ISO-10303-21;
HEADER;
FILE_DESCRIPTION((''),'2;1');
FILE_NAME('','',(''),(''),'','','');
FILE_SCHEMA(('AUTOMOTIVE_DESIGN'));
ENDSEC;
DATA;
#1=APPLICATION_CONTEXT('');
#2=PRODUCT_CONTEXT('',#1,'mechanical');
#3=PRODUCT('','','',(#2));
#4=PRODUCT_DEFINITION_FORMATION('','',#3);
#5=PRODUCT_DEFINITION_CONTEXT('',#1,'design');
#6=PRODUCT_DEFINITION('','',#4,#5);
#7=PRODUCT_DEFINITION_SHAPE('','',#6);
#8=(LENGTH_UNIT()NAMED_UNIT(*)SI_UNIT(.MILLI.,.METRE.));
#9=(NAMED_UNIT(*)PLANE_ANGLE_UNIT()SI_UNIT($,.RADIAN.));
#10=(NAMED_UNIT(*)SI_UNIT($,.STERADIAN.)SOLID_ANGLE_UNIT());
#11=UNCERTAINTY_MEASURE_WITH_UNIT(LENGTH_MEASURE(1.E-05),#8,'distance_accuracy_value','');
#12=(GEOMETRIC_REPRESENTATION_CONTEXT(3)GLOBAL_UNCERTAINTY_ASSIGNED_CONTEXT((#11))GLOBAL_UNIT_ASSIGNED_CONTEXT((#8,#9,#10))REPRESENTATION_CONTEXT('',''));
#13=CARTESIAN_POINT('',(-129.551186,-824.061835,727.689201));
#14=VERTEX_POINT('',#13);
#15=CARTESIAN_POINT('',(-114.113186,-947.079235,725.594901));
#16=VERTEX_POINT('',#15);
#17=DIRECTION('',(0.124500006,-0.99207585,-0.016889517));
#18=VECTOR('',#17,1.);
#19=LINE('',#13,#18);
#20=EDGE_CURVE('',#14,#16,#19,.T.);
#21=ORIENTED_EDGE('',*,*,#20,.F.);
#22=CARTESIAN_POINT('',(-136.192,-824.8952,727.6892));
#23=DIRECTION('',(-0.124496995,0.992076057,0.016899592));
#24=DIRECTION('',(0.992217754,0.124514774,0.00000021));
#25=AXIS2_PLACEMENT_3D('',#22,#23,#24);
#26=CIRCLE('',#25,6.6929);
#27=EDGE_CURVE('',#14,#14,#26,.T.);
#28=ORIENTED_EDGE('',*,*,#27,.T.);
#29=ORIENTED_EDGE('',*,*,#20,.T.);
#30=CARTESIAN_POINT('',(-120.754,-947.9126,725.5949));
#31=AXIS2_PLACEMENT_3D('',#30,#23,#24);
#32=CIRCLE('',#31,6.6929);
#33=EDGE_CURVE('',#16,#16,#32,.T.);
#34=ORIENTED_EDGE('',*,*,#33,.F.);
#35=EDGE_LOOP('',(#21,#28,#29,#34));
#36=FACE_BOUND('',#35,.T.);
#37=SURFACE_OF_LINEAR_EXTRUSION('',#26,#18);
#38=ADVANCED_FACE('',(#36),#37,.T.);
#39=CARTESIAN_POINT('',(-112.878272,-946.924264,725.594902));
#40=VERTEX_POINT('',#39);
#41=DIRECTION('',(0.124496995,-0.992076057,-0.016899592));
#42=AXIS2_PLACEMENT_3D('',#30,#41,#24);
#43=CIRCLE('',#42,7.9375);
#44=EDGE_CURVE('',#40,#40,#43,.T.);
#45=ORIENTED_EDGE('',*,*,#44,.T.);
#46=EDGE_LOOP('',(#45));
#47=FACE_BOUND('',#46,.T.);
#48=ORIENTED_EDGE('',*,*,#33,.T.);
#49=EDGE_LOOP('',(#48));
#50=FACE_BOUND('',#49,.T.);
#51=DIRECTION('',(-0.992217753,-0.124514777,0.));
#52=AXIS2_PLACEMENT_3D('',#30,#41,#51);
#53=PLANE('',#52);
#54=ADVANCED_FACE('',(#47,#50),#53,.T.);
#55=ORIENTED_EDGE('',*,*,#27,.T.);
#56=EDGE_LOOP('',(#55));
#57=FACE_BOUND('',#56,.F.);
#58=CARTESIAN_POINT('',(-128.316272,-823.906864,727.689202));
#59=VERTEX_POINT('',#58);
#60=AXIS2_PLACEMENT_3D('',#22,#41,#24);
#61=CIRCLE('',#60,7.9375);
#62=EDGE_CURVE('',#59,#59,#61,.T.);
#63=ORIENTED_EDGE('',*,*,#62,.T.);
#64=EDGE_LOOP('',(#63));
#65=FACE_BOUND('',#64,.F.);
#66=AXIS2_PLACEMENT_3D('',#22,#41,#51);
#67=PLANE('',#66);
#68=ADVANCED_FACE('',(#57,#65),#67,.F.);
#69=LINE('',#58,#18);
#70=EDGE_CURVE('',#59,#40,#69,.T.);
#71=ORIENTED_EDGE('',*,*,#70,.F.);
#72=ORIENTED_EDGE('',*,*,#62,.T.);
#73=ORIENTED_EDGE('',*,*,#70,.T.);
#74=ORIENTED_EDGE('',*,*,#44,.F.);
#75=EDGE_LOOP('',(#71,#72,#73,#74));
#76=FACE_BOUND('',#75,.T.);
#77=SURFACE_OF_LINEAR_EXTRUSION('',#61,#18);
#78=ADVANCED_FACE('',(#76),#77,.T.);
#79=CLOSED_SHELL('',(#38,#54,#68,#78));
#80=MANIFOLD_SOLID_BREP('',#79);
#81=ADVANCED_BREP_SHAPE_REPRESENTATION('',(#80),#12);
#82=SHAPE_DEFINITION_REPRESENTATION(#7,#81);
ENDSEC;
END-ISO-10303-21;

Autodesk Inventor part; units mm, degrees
ref_plane "YZ Plane" through (0, 0, 0) normal (1, 0, 0) x (0, 1, 0)
ref_plane "XZ Plane" through (0, 0, 0) normal (0, 1, 0) x (-1, 0, 0)
ref_plane "Work Plane5" through (-136.192, -824.8952, 727.6892) normal (0.1245, -0.9921, -0.0169) x (0.9922, 0.1245, 0)
sketch "Sketch7" plane through (-136.192, -824.8952, 727.6892) normal (0.1245, -0.9921, -0.0169) x (0.9922, 0.1245, 0)
  circle A0 centre (0, 0) radius 7.9375
  circle A1 centre (0, 0) radius 6.6929
sketch3d "3D Sketch5"
  line L0 (-136.192, -824.8952, 727.6892) -> (-120.754, -947.9126, 725.5949)
sweep "Sweep5" add profiles "Sketch7" path "3D Sketch5"
equation "\"OD\" = 15.875"
equation "\"t\" = 1.2446"
equation "\"L\" = PL"
equation "\"ID\" = 13.3858"
equation "\"PL\" = 124.0028"
equation "\"Size_Designation\" = 1.2345"
properties material "Copper"
